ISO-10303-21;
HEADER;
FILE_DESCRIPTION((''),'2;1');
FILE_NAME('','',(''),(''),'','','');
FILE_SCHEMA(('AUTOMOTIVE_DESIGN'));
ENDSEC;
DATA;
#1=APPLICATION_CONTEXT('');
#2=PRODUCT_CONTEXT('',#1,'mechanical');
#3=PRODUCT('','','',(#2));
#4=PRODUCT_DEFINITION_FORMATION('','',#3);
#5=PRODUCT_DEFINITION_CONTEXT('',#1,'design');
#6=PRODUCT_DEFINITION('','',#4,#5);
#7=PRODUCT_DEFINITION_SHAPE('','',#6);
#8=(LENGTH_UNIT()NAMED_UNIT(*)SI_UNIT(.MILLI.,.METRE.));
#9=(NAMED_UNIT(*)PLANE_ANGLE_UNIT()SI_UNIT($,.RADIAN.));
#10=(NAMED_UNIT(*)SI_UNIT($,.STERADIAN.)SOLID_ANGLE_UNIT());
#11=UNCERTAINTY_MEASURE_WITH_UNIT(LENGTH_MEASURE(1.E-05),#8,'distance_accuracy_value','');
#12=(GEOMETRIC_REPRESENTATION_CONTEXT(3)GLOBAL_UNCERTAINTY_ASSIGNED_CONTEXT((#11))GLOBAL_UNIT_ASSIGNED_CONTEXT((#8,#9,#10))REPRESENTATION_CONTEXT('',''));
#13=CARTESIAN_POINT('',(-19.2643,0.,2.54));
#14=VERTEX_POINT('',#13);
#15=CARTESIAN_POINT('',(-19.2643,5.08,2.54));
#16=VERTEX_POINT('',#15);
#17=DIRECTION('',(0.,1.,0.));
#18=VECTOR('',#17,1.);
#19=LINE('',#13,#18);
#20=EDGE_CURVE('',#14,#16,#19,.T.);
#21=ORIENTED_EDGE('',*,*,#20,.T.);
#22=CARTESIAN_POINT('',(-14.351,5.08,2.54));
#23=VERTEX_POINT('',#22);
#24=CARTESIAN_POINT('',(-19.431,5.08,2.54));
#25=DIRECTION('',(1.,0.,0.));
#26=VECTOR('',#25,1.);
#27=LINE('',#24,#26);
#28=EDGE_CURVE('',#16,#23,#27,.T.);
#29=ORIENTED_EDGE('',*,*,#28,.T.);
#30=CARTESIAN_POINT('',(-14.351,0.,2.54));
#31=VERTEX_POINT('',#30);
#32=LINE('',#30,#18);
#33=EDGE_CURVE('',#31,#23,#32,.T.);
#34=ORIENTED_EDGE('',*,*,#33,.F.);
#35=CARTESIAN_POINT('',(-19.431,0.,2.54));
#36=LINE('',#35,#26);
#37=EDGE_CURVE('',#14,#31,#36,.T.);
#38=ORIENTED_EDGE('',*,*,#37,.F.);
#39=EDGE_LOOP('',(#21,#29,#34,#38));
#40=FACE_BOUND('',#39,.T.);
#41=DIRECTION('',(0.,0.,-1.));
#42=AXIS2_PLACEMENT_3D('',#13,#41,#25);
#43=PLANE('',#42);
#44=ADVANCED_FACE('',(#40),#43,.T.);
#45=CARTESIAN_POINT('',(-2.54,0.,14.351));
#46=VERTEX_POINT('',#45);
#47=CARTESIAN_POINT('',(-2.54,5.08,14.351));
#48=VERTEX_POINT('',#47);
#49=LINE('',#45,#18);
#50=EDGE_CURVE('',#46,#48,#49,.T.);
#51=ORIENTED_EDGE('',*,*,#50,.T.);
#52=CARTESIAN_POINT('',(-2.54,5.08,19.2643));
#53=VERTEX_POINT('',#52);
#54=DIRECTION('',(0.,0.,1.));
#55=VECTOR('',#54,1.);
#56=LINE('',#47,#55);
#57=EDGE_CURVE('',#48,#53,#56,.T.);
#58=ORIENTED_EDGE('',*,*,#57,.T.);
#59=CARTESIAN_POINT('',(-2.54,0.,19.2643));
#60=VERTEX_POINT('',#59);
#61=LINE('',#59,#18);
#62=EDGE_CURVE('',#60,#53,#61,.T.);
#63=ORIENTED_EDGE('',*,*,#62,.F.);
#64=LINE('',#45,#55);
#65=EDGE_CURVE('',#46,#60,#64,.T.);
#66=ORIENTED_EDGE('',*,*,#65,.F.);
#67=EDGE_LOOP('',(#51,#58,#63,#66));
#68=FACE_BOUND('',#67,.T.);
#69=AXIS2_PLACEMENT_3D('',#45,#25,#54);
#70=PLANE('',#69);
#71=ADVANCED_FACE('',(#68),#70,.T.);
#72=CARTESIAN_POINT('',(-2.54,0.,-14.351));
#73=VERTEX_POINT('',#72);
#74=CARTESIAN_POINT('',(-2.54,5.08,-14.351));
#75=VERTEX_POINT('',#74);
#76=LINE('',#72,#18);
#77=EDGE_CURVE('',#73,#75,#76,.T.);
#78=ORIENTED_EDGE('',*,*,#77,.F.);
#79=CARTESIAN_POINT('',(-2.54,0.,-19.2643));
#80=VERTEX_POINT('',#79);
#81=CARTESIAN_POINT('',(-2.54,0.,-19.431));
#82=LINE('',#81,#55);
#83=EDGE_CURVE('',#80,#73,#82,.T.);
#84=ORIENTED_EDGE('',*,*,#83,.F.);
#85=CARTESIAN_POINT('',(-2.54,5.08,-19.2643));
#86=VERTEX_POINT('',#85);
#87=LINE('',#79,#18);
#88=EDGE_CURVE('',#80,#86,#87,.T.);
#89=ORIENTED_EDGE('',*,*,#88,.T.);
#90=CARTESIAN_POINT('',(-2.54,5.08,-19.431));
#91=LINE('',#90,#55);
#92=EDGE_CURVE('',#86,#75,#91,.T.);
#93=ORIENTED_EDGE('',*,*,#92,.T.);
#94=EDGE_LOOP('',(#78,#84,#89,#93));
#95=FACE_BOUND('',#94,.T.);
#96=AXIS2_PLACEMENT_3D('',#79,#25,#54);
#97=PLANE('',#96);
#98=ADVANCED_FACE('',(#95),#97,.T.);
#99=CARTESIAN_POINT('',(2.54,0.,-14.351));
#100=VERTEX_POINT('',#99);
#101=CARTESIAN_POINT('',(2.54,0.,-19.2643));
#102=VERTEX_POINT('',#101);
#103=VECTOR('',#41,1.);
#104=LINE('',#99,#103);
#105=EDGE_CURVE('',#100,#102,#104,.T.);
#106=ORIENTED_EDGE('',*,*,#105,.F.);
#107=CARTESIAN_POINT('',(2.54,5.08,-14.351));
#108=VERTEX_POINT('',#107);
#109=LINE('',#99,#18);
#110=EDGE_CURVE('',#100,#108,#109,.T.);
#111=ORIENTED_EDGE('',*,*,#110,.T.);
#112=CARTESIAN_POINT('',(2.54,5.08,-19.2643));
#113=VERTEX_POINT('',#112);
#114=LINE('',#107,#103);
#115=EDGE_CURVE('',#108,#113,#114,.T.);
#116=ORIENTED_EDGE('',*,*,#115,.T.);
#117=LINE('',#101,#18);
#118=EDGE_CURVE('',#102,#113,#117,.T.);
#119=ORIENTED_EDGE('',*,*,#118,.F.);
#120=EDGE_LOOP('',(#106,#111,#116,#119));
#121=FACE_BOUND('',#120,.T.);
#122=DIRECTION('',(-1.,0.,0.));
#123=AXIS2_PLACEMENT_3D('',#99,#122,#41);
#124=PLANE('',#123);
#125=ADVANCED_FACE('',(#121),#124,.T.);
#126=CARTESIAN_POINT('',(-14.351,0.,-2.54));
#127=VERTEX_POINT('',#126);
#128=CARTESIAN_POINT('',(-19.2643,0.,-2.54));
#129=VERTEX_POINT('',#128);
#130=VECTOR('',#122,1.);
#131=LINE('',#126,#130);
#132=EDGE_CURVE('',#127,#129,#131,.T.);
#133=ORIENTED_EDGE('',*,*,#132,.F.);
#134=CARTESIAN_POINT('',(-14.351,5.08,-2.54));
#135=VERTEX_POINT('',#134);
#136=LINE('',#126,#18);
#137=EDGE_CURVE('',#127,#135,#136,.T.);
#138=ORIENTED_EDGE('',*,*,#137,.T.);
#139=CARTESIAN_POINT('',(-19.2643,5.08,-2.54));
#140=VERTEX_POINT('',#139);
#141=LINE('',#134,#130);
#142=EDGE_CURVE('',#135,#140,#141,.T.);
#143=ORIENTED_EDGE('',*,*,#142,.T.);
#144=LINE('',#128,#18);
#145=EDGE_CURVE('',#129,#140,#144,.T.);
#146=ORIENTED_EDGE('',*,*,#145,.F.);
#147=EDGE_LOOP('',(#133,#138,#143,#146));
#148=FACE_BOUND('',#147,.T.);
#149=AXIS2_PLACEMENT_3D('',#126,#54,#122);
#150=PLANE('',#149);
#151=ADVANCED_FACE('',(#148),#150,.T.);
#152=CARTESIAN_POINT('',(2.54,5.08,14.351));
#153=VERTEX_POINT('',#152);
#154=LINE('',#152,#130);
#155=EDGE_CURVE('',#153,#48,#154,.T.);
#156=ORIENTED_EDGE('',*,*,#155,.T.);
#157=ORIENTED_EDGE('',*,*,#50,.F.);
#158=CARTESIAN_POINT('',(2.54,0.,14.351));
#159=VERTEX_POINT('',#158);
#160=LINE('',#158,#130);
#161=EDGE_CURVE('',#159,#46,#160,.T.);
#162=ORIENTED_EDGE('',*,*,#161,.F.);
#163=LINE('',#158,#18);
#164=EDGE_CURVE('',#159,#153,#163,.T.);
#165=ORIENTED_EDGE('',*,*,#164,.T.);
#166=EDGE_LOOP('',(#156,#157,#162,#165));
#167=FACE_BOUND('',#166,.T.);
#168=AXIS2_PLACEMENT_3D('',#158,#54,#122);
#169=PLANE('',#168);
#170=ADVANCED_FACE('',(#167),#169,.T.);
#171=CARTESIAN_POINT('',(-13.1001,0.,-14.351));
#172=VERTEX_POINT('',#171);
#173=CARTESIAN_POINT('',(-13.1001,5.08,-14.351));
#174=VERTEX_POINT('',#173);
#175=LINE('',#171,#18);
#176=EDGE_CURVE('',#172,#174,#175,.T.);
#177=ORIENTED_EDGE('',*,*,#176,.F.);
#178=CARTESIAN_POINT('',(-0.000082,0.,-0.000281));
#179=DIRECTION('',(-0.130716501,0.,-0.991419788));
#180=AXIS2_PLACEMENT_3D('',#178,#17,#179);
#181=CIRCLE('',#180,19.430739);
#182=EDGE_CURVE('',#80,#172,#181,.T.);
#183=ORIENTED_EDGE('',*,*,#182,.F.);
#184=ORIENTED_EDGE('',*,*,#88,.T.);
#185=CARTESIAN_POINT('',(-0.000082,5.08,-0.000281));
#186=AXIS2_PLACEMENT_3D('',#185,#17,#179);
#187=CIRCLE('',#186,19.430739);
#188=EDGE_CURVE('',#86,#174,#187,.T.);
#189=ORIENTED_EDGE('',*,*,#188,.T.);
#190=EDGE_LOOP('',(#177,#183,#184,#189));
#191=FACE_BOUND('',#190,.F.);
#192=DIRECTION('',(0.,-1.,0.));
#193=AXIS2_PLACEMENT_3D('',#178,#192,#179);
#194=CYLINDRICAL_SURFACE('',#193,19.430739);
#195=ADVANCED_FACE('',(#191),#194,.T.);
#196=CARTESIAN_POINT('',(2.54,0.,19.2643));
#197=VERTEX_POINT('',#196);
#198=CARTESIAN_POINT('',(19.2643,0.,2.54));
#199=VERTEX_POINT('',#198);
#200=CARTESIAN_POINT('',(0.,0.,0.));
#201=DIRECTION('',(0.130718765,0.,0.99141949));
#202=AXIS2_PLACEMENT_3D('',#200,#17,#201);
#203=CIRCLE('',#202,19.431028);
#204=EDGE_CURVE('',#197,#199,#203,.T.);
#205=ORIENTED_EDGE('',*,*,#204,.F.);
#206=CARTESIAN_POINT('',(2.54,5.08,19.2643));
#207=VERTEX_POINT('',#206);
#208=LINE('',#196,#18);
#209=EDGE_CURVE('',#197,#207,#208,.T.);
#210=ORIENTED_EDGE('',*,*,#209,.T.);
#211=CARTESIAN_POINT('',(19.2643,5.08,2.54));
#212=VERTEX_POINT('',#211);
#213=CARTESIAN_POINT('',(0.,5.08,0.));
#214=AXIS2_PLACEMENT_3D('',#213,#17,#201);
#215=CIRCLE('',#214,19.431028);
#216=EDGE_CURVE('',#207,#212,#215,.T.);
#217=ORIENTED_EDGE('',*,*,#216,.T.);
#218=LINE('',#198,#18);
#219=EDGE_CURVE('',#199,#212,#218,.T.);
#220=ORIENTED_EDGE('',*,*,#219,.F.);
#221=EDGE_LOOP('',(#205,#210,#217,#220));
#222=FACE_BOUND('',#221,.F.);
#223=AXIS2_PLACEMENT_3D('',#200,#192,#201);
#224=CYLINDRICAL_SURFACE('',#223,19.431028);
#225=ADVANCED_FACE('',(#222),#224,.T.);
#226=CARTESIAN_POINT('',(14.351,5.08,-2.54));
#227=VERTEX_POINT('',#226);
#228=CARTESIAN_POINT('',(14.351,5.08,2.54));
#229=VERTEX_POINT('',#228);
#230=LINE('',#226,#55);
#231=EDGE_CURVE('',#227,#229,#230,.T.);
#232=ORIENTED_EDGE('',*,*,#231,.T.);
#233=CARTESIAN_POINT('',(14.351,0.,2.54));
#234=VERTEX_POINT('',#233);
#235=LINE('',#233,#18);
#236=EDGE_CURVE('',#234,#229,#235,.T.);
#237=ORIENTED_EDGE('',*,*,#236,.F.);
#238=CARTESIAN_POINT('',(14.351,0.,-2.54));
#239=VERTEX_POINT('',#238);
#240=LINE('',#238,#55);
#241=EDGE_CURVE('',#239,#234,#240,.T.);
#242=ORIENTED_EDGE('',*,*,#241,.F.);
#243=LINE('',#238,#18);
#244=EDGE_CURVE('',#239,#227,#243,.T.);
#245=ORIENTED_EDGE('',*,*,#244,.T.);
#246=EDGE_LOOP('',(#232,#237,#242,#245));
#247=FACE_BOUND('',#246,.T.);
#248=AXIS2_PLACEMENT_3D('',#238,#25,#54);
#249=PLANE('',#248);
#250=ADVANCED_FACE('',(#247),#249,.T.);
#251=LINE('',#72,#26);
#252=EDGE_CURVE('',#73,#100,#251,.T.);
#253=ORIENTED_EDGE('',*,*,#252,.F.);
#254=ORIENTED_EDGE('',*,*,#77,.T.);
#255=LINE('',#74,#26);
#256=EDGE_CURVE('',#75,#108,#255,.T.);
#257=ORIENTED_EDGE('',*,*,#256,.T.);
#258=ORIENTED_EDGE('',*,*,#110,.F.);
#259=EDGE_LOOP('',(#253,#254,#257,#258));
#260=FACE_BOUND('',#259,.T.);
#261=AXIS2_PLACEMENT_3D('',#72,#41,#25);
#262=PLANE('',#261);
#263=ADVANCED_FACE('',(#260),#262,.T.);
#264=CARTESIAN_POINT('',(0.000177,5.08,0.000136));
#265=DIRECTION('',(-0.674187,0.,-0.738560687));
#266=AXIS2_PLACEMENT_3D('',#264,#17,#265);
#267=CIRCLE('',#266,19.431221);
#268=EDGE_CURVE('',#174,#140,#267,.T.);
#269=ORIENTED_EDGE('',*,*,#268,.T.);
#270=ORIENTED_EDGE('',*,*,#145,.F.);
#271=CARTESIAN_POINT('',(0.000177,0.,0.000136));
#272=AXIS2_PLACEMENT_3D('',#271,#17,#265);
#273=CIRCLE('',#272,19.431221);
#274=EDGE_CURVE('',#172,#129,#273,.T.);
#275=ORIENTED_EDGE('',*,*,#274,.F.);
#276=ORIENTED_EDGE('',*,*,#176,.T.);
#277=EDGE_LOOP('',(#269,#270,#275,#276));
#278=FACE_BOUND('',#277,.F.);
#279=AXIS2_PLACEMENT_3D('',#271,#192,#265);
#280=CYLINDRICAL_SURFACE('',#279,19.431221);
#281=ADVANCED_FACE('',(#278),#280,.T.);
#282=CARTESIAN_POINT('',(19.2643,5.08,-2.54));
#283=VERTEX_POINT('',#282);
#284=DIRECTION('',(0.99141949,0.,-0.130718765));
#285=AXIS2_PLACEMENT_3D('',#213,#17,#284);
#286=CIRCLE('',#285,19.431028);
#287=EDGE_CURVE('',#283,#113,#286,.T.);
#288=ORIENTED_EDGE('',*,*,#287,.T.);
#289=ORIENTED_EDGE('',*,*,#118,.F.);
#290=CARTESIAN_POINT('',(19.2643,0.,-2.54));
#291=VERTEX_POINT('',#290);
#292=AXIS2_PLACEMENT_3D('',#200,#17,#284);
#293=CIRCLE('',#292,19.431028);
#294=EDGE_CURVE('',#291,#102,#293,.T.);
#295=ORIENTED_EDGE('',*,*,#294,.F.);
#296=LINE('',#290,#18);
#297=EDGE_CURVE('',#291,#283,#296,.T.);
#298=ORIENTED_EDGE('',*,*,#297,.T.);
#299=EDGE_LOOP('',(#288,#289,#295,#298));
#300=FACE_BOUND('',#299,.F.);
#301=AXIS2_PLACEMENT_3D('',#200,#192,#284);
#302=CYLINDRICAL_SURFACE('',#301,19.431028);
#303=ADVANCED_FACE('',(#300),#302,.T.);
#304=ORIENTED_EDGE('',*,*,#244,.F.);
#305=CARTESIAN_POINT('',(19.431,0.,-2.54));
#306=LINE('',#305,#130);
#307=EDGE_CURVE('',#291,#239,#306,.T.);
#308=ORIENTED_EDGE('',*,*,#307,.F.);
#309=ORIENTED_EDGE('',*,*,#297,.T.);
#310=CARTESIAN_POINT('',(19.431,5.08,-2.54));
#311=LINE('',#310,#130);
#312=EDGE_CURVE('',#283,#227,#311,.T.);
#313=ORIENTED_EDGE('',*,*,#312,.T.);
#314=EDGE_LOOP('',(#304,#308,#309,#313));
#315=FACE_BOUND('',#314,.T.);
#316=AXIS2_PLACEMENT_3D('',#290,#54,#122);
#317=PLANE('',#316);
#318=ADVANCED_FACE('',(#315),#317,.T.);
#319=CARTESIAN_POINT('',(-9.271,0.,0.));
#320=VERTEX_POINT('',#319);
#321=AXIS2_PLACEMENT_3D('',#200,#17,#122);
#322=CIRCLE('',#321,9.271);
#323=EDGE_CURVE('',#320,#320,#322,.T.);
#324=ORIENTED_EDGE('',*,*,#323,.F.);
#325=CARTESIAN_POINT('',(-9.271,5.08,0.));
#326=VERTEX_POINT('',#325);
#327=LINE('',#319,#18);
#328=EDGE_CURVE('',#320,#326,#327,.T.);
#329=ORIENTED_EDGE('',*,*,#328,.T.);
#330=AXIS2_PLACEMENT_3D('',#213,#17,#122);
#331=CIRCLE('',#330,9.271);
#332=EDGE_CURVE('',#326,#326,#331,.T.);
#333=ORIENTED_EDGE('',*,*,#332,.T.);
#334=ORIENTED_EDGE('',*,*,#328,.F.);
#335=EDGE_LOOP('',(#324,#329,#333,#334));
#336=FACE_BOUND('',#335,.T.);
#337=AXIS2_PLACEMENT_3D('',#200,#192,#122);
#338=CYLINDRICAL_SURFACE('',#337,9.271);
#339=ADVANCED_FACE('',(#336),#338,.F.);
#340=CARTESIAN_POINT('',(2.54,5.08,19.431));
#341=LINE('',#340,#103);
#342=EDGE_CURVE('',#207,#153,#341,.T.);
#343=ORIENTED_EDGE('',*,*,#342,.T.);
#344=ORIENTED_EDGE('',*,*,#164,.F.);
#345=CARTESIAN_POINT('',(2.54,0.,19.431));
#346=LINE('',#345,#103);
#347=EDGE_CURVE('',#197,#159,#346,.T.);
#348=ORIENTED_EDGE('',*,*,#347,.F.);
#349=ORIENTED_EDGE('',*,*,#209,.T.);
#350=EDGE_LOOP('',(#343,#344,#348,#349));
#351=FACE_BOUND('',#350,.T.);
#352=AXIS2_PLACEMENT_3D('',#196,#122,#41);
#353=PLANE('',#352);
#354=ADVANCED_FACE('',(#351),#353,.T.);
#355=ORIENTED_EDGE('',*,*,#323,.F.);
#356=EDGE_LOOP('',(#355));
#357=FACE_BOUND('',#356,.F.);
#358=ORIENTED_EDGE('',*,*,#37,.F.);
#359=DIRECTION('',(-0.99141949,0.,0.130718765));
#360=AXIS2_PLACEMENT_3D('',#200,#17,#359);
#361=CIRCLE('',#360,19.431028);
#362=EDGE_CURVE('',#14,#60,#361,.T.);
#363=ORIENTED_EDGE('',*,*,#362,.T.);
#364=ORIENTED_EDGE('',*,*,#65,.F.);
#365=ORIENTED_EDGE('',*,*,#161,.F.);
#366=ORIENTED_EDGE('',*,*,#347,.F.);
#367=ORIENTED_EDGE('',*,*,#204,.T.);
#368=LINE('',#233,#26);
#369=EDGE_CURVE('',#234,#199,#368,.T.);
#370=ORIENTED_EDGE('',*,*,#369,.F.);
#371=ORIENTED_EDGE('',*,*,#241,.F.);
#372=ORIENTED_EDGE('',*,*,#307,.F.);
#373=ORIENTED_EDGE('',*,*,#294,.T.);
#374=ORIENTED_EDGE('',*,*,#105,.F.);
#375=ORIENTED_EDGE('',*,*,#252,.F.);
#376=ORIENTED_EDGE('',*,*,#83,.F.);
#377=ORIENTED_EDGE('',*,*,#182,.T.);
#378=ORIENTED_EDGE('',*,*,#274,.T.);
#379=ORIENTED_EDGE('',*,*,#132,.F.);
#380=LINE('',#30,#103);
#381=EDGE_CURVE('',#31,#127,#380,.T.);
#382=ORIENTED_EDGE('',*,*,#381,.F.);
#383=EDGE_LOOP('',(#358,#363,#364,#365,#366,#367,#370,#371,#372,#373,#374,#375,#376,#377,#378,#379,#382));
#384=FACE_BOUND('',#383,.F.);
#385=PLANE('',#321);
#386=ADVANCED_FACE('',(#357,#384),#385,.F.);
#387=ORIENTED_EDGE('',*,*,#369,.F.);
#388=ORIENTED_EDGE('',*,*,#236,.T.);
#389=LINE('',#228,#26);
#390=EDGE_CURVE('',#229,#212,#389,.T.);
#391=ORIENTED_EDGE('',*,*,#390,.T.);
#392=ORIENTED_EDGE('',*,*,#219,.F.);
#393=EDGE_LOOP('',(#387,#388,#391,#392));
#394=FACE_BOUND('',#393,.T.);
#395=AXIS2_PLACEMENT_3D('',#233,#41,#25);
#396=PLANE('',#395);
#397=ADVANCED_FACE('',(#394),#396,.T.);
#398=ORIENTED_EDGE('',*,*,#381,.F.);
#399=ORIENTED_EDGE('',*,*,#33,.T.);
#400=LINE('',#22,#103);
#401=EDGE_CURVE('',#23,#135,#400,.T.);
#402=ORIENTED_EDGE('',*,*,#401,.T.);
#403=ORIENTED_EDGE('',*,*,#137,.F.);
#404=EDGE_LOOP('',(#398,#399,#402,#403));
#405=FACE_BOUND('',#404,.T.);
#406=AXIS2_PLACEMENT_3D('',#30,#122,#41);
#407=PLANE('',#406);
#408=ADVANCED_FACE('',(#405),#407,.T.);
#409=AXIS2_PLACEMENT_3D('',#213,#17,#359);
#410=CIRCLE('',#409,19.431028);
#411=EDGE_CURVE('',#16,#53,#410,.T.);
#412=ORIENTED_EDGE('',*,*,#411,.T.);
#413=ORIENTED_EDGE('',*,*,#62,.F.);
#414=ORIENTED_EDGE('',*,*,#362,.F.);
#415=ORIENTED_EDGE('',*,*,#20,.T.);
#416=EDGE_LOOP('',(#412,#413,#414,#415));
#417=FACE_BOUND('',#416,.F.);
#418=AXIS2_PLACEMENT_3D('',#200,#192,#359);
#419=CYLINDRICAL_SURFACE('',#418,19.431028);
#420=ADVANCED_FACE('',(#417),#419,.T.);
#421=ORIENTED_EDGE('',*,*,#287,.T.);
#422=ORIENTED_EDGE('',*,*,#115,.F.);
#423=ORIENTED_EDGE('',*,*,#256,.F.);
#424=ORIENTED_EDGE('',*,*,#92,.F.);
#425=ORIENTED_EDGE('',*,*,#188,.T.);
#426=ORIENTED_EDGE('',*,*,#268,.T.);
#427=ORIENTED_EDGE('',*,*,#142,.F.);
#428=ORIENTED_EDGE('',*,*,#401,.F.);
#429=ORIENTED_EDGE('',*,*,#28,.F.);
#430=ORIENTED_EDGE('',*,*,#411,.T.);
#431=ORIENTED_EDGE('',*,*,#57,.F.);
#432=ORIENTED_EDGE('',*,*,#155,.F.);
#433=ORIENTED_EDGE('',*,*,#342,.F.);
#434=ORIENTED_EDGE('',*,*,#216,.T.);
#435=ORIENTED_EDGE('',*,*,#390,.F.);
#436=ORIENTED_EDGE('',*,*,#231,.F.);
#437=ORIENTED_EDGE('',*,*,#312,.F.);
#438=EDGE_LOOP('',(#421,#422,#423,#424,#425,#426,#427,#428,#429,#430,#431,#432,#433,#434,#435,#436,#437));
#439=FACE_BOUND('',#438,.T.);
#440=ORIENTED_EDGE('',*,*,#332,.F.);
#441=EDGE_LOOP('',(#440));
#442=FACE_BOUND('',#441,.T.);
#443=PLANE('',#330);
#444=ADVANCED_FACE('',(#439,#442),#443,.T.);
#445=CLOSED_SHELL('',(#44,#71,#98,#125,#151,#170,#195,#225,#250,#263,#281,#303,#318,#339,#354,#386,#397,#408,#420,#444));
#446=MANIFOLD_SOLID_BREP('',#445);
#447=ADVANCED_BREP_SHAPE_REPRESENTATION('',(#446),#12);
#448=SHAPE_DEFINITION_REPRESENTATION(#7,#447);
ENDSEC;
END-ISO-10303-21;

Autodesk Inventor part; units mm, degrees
ref_plane "YZ Plane" through (0, 0, 0) normal (1, 0, 0) x (0, 1, 0)
ref_plane "XZ Plane" through (0, 0, 0) normal (0, 1, 0) x (-1, 0, 0)
ref_plane "XY Plane" through (0, 0, 0) normal (0, 0, 1) x (1, 0, 0)
sketch "Sketch1" plane through (0, 0, 0) normal (0, 1, 0) x (-1, 0, 0)
  circle A0 centre (0, 0) radius 9.271
  arc A1 (19.2643, -2.54) -> (19.2643, 2.54) centre (0, 0) ccw
  line L0 (19.431, 2.54) -> (14.351, 2.54)
  line L1 (14.351, 2.54) -> (14.351, -2.54)
  line L2 (14.351, -2.54) -> (19.431, -2.54)
  line L3 (19.431, -2.54) -> (19.431, 2.54)
  line L4 (19.431, 0) -> (0, 0) construction
  line L5 (-2.54, 19.431) -> (-2.54, 14.351)
  line L6 (-2.54, 14.351) -> (2.54, 14.351)
  line L7 (2.54, 14.351) -> (2.54, 19.431)
  line L8 (2.54, 19.431) -> (-2.54, 19.431)
  line L9 (-19.431, -2.54) -> (-14.351, -2.54)
  line L10 (-14.351, -2.54) -> (-14.351, 2.54)
  line L11 (-14.351, 2.54) -> (-19.431, 2.54)
  line L12 (-19.431, 2.54) -> (-19.431, -2.54)
  line L13 (2.54, -19.431) -> (2.54, -14.351)
  line L14 (2.54, -14.351) -> (-2.54, -14.351)
  line L15 (-2.54, -14.351) -> (-2.54, -19.431)
  line L16 (-2.54, -19.431) -> (2.54, -19.431)
  arc A2 (2.54, -19.2643) -> (13.1001, -14.351) centre (0, 0) ccw
  arc A3 (19.2643, 2.54) -> (2.54, 19.2643) centre (0, 0) ccw
  arc A4 (-19.2643, 2.54) -> (-19.2643, -2.54) centre (0, 0) ccw
  arc A5 (-19.2643, -2.54) -> (-2.54, -19.2643) centre (0, 0) ccw
  arc A6 (2.54, 19.2643) -> (-2.54, 19.2643) centre (0, 0) ccw
  arc A7 (-2.54, 19.2643) -> (-19.2643, 2.54) centre (0, 0) ccw
  arc A8 (13.1001, -14.351) -> (19.2643, -2.54) centre (0, 0) ccw
  arc A9 (-2.54, -19.2643) -> (2.54, -19.2643) centre (0, 0) ccw
  point P0 (0, 19.431)
  point P1 (-19.431, 0)
  point P2 (0, -19.431)
  dimension "d0" = 18.542
  dimension "d1" = 38.862
  dimension "d2" = 5.08
  dimension "d3" = 5.08
  dimension "d6" = 360
extrude "Extrusion1" add sketch "Sketch1" along normal blind 5.08 contours A8 A2 L13 L14 L15 A5 L9 L10 L11 A7 L5 L6 L7 A3 L0 L1 L2
properties part number "MarkerRing" material "Wood (Birch)"
